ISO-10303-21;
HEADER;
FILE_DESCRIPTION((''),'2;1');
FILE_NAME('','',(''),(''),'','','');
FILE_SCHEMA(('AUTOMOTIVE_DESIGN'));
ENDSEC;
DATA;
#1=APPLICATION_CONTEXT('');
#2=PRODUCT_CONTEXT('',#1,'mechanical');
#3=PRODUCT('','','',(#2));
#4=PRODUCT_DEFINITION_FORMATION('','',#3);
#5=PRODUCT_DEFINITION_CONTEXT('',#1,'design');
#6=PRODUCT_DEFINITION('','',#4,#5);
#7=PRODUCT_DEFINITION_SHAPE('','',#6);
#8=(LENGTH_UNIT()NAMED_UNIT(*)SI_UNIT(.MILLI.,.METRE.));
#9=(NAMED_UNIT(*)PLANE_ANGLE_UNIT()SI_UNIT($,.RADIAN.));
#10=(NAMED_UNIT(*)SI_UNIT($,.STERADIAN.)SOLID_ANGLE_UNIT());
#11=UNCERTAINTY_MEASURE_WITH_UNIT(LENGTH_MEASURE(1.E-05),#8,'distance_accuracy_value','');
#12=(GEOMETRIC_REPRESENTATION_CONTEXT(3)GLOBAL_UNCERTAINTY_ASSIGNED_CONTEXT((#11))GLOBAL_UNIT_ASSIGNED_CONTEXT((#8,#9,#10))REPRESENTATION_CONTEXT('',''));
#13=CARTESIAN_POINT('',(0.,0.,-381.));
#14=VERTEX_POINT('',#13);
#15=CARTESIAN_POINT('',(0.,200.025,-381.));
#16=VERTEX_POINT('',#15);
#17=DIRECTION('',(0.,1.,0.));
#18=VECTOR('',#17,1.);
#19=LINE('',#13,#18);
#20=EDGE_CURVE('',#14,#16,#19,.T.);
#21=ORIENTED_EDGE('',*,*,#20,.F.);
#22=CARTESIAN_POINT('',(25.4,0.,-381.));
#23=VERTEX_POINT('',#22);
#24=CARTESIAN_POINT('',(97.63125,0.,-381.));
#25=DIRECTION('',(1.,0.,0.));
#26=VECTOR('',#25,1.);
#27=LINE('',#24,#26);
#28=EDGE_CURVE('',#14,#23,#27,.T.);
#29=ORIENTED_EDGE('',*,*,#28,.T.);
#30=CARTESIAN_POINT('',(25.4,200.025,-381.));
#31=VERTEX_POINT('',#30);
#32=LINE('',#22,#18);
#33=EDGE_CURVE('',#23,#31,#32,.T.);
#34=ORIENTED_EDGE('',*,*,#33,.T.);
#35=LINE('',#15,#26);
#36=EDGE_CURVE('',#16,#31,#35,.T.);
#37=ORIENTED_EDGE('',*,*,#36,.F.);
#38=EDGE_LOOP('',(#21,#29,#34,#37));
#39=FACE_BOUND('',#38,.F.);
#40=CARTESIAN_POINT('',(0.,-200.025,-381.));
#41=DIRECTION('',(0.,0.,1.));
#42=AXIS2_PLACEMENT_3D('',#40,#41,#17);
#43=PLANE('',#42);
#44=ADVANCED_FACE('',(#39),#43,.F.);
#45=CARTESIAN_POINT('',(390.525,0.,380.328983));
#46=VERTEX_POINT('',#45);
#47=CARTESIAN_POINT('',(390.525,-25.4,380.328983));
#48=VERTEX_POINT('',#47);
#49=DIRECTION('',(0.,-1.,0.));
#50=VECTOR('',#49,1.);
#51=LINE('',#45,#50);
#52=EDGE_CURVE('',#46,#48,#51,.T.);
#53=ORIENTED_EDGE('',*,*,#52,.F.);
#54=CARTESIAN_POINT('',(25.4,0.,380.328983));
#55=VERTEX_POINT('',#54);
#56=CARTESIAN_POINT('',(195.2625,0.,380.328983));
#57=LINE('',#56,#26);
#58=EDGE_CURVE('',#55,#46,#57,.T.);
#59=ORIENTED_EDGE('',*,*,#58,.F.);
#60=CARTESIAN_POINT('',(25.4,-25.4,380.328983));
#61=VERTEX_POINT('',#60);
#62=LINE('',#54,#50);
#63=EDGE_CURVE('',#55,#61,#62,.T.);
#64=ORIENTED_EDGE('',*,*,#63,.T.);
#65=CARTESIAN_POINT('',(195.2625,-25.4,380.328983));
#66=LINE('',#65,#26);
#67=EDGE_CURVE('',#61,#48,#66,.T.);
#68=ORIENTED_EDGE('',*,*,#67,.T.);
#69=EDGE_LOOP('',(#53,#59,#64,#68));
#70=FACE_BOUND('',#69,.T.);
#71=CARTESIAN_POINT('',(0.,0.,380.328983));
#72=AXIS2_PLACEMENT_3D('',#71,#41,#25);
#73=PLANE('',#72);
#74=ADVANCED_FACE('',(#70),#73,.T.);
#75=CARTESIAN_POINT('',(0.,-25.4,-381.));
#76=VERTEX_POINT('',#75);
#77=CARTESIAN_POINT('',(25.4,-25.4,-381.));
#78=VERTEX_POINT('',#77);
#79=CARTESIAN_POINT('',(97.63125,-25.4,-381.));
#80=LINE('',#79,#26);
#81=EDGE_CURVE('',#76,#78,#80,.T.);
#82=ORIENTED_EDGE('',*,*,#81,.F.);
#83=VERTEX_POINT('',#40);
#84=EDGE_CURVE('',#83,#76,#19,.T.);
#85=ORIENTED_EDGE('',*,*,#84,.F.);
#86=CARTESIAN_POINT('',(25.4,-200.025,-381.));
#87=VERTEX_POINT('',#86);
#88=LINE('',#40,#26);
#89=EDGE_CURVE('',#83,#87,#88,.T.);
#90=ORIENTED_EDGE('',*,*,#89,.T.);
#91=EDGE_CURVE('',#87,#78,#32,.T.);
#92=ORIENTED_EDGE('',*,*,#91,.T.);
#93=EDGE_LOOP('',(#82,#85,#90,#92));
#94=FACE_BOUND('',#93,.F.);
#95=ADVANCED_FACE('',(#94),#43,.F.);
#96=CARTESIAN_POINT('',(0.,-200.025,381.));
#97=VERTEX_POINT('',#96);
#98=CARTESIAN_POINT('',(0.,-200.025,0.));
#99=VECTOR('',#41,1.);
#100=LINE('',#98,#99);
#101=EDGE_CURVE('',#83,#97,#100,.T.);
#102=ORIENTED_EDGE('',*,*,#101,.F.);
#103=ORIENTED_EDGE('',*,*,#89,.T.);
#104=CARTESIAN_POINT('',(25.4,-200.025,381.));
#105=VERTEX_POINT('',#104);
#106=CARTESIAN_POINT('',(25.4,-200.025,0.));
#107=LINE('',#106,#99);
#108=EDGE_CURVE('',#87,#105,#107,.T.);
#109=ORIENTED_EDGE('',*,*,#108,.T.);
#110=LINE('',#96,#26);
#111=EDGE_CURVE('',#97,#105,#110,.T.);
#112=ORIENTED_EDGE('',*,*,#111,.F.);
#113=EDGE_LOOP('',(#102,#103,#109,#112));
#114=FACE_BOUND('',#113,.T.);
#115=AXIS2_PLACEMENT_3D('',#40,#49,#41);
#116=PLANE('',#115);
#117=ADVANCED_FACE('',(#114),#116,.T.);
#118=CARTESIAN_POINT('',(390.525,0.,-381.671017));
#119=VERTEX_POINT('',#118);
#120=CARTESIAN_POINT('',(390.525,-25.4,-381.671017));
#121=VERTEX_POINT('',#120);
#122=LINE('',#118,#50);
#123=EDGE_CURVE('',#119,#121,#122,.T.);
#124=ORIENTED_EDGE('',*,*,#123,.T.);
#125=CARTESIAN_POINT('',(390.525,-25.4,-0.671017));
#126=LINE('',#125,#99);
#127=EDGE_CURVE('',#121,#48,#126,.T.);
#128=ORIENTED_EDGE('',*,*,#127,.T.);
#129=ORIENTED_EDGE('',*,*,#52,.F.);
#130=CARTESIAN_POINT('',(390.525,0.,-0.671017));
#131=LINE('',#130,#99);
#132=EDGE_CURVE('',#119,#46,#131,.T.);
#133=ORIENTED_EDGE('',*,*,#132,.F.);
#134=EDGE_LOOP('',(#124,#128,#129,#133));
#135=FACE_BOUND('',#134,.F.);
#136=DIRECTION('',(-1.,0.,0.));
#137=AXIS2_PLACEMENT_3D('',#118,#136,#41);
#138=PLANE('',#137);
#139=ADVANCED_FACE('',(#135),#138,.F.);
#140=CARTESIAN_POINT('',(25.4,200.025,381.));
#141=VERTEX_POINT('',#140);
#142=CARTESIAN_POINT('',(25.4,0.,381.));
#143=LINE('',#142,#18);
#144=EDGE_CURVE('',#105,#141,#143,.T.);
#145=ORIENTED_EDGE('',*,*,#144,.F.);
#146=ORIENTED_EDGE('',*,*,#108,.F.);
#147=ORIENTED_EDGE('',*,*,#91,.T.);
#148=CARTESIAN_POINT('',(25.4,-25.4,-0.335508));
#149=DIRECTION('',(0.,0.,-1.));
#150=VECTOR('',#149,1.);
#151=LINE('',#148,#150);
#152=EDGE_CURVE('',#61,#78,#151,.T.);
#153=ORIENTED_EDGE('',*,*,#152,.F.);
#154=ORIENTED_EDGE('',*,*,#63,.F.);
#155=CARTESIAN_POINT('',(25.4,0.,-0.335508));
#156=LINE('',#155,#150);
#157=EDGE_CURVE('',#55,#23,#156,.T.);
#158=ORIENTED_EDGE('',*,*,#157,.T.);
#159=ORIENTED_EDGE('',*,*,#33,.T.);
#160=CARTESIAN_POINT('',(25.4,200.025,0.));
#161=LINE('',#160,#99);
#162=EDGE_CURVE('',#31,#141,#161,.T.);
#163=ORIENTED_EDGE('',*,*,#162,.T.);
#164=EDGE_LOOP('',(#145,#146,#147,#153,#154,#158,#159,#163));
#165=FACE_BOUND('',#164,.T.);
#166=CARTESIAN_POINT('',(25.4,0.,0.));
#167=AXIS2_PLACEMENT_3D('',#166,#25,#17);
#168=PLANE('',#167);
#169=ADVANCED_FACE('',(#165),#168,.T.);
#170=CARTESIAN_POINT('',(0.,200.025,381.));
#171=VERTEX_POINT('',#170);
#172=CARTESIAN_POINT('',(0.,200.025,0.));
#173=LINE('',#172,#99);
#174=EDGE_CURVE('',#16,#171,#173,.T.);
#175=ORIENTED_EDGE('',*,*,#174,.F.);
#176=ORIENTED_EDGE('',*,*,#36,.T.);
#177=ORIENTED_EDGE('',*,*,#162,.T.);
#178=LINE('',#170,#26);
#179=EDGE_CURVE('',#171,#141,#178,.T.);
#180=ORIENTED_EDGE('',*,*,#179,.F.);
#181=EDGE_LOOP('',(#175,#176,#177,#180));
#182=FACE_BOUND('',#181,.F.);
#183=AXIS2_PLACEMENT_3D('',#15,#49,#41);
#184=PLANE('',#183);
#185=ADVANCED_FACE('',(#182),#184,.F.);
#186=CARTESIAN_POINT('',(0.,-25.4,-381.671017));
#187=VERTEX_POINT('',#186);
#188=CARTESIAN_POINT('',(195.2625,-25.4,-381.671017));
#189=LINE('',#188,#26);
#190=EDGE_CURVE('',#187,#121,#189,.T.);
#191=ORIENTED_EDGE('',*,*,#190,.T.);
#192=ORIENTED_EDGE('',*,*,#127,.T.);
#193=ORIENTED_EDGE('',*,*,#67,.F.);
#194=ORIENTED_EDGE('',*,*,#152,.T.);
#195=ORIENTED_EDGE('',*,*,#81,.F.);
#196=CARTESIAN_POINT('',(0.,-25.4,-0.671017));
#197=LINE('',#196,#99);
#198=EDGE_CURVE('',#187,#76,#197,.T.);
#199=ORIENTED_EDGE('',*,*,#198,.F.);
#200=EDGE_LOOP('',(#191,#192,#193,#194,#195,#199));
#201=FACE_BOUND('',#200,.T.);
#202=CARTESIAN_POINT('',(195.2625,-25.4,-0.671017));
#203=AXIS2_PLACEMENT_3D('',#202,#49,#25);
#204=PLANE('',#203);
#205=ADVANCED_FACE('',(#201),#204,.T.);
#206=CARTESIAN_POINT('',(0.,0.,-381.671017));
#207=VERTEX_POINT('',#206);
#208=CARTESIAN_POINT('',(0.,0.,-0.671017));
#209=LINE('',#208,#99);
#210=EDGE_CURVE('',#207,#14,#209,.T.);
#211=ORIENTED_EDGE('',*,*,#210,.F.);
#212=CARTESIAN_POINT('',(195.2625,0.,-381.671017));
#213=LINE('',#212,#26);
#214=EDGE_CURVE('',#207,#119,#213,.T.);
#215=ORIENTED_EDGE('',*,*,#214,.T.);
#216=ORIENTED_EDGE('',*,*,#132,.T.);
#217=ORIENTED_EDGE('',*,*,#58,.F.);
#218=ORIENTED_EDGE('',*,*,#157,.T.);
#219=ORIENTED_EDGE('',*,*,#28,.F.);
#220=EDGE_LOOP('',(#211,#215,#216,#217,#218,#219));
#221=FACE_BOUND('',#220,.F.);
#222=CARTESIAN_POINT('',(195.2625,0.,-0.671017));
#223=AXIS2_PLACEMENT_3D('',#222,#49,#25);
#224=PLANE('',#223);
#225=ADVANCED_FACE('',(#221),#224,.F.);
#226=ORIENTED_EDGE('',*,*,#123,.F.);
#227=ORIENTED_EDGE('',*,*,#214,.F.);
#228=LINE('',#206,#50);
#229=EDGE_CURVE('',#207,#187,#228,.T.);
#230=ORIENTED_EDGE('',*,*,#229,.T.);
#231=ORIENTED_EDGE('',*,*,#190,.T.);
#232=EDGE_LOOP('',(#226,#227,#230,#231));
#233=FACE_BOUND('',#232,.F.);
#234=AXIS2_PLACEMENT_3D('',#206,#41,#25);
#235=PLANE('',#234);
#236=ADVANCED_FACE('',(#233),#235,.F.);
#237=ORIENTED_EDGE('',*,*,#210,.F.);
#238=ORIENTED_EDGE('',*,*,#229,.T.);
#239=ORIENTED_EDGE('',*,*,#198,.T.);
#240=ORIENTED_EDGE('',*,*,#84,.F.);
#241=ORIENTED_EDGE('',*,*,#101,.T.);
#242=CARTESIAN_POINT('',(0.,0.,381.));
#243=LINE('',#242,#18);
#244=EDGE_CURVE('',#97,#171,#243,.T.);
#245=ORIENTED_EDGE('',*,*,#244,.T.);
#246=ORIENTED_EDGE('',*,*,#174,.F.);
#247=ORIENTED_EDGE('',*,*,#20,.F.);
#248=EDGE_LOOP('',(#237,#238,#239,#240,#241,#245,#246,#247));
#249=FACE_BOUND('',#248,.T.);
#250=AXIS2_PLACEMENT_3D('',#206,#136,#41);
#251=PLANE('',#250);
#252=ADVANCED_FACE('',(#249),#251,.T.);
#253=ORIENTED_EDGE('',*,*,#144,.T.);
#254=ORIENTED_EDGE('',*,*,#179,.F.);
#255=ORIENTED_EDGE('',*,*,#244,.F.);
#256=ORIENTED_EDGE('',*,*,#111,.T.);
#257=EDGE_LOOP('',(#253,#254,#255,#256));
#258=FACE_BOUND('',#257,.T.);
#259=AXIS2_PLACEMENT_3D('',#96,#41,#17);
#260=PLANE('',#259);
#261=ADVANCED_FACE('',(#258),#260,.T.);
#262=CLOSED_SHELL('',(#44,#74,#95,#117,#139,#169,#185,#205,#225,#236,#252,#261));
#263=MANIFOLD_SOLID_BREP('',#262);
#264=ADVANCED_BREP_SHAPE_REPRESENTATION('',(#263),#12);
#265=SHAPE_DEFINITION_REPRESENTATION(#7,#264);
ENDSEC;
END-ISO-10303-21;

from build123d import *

# Parameters (mm, degrees)
F0_W     = 400.05
F0_H     = 762
F1_DEPTH = 25.4
F2_W     = 390.525
F2_H     = 762
F3_DEPTH = 25.4


with BuildPart() as f1:
    # F0 (on Right) → F1 (new body)
    with BuildSketch(Plane.YZ):
        Rectangle(F0_W, F0_H)
    extrude(amount=F1_DEPTH)

    # F2 (on Front) → F3 (join)
    with BuildSketch(Plane.XZ):
        with Locations((195.2625, -0.671017)):
            Rectangle(F2_W, F2_H)
    extrude(amount=F3_DEPTH)


solid = f1.part
